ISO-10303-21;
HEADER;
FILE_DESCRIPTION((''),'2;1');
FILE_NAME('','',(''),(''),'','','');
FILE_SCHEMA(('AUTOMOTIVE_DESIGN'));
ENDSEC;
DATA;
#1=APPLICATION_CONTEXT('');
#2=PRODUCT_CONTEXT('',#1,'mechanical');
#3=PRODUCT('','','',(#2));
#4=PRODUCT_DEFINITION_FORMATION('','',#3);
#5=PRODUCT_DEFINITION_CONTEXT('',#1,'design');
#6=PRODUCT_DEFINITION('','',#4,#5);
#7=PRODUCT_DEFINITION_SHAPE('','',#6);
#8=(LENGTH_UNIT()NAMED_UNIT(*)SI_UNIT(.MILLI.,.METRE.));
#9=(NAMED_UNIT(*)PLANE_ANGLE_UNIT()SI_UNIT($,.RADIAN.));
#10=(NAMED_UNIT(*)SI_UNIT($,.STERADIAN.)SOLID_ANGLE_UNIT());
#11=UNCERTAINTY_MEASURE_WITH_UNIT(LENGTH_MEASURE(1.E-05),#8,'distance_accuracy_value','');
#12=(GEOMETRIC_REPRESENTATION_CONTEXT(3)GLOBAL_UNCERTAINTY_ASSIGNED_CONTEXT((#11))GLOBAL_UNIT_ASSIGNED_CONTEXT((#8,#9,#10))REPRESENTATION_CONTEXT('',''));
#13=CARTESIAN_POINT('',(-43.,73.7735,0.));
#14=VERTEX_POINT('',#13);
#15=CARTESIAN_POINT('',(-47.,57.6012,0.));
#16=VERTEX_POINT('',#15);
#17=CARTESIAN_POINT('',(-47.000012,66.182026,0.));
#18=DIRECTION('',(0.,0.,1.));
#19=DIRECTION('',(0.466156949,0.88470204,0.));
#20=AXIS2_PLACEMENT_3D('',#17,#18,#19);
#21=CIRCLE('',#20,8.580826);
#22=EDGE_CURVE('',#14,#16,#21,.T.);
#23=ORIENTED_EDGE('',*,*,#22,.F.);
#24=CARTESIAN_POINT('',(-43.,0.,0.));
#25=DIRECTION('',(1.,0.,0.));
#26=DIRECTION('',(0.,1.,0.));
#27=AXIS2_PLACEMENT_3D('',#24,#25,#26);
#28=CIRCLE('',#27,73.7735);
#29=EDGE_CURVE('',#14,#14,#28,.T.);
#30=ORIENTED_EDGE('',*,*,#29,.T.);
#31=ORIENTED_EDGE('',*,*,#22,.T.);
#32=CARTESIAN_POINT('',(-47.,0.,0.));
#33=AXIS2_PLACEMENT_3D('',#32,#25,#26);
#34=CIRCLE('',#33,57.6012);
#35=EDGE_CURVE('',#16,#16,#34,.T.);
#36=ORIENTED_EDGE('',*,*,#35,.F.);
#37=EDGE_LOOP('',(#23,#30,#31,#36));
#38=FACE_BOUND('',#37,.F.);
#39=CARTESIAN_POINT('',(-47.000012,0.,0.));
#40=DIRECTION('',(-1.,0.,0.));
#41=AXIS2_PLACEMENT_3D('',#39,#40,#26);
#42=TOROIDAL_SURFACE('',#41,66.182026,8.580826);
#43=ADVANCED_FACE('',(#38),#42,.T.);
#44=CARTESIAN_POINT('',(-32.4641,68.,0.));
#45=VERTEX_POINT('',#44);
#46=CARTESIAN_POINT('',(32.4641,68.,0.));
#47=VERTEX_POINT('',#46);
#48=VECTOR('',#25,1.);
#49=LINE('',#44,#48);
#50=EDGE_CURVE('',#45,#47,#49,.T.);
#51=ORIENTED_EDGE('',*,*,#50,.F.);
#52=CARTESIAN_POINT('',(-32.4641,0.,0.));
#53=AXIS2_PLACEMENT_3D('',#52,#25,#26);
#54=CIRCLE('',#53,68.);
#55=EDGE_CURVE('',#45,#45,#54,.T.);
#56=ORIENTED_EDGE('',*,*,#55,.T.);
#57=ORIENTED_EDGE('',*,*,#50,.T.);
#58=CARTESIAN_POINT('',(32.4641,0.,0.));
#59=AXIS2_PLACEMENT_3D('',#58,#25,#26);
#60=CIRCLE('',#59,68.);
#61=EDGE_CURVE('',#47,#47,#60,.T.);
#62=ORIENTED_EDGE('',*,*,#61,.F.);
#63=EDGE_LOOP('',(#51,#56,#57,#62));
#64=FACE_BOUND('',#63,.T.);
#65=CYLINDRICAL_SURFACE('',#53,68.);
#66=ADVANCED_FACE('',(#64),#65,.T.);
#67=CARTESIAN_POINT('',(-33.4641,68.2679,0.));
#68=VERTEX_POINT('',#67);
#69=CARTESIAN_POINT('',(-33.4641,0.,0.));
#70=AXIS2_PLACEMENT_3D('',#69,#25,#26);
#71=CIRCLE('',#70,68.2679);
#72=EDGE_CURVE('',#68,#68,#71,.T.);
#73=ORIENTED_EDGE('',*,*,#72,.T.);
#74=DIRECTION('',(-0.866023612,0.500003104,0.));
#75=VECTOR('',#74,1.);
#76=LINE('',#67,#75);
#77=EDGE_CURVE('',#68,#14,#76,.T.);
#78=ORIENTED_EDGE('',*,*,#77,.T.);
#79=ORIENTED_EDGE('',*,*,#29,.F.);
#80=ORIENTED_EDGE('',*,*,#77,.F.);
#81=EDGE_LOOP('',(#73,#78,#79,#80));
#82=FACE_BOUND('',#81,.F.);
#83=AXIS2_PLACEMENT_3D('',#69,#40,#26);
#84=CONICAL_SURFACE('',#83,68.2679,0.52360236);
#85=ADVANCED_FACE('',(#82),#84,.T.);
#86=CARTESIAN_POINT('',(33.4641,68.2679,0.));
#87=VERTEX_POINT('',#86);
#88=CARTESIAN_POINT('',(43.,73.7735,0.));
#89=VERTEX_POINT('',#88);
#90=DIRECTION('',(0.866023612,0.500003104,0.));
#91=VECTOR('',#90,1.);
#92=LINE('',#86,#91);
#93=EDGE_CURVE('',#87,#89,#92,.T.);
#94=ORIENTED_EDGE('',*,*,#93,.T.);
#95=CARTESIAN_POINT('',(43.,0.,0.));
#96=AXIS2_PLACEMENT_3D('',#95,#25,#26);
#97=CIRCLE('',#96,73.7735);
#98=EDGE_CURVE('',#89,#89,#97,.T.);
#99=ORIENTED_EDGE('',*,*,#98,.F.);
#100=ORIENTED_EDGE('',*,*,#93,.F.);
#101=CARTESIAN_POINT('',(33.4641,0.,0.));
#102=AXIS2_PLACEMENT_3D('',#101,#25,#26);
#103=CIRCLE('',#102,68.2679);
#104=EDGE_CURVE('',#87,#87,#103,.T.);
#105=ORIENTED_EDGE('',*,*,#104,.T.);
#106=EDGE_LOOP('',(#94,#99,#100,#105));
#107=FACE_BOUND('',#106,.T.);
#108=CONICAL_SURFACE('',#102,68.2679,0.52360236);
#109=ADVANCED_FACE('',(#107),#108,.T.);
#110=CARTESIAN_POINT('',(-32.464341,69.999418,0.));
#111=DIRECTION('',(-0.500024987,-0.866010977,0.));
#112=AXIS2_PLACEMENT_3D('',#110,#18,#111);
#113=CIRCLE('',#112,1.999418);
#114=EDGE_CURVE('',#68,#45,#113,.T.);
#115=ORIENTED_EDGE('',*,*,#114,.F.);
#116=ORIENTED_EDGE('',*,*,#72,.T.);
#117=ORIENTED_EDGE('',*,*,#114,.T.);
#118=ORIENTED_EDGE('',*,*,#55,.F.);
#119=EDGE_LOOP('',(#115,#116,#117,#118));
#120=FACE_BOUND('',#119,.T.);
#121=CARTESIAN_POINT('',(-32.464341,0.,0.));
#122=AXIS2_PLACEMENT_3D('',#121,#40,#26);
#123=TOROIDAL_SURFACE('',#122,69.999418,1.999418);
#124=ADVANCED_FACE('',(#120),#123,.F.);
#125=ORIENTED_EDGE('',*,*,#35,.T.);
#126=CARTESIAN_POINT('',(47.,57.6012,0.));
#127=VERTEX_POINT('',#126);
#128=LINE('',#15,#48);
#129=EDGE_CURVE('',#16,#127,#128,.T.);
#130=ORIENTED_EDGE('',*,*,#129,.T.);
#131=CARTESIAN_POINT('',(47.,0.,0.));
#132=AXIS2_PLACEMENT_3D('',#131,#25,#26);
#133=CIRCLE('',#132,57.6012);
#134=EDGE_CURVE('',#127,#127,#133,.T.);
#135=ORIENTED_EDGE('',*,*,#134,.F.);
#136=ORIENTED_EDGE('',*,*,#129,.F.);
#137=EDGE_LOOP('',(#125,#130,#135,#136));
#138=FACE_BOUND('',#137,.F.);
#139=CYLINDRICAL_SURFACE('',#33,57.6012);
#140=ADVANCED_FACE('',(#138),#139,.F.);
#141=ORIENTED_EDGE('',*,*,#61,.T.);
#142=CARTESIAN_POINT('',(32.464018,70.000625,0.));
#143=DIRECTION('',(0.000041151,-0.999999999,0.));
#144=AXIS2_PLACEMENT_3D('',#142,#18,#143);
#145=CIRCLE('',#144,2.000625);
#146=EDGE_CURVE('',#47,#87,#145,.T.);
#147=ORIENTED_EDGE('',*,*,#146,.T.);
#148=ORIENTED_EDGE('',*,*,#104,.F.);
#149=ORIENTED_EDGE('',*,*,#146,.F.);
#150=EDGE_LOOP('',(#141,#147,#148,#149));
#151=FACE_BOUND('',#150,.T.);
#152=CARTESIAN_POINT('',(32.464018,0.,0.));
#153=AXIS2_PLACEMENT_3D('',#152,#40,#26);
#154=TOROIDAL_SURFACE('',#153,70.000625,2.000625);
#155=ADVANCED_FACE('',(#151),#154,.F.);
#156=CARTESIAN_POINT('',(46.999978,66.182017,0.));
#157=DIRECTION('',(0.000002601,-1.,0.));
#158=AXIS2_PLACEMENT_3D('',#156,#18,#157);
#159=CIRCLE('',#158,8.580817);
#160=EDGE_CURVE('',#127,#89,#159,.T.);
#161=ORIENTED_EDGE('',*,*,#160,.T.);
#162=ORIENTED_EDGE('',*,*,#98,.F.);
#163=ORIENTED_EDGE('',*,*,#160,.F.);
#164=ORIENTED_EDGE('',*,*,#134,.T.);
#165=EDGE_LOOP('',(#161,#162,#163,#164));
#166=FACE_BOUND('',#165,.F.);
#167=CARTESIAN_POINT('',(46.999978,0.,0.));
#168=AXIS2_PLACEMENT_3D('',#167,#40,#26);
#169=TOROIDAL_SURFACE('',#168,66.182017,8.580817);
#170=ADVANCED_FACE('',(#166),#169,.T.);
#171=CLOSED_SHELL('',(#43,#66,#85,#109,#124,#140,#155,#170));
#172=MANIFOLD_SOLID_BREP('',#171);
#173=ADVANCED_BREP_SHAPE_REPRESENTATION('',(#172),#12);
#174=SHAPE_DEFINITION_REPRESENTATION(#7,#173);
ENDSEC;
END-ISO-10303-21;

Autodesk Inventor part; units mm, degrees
ref_plane "YZ Plane" through (0, 0, 0) normal (1, 0, 0) x (0, 1, 0)
ref_plane "XZ Plane" through (0, 0, 0) normal (0, 1, 0) x (-1, 0, 0)
ref_plane "XY Plane" through (0, 0, 0) normal (0, 0, 1) x (1, 0, 0)
sketch "Эскиз1" plane through (0, 0, 0) normal (0, 0, 1) x (1, 0, 0)
  line L0 (-32.4641, 68) -> (32.4641, 68)
  line L1 (-47, 57.6012) -> (47, 57.6012)
  line L2 (33.4641, 68.2679) -> (43, 73.7735)
  arc A0 (47, 57.6012) -> (43, 73.7735) centre (47, 66.182) ccw
  line L3 (0, 57.6012) -> (0, 68) construction
  line L4 (-33.4641, 68.2679) -> (-43, 73.7735)
  arc A1 (-43, 73.7735) -> (-47, 57.6012) centre (-47, 66.182) ccw
  arc A2 (-33.4641, 68.2679) -> (-32.4641, 68) centre (-32.4641, 70) ccw
  arc A3 (32.4641, 68) -> (33.4641, 68.2679) centre (32.4641, 70) ccw
  line L5 (-80.3461, 0) -> (80.3461, 0) projected
  point P0 (0, 0)
  point P1 (-33, 68)
  point P2 (33, 68)
  point P3 (55.5782, 66.3924)
  dimension "d0" = 66
  dimension "d1" = 94
  dimension "d2" = 30
  dimension "d3" = 10
  dimension "d4" = 2
  dimension "d5" = 2
revolve "Вращение1" add sketch "Эскиз1" angle 360 about axis through (-10, 0, 0) along (1, 0, 0)
properties part number "Обмотка статора" material "Медь"
